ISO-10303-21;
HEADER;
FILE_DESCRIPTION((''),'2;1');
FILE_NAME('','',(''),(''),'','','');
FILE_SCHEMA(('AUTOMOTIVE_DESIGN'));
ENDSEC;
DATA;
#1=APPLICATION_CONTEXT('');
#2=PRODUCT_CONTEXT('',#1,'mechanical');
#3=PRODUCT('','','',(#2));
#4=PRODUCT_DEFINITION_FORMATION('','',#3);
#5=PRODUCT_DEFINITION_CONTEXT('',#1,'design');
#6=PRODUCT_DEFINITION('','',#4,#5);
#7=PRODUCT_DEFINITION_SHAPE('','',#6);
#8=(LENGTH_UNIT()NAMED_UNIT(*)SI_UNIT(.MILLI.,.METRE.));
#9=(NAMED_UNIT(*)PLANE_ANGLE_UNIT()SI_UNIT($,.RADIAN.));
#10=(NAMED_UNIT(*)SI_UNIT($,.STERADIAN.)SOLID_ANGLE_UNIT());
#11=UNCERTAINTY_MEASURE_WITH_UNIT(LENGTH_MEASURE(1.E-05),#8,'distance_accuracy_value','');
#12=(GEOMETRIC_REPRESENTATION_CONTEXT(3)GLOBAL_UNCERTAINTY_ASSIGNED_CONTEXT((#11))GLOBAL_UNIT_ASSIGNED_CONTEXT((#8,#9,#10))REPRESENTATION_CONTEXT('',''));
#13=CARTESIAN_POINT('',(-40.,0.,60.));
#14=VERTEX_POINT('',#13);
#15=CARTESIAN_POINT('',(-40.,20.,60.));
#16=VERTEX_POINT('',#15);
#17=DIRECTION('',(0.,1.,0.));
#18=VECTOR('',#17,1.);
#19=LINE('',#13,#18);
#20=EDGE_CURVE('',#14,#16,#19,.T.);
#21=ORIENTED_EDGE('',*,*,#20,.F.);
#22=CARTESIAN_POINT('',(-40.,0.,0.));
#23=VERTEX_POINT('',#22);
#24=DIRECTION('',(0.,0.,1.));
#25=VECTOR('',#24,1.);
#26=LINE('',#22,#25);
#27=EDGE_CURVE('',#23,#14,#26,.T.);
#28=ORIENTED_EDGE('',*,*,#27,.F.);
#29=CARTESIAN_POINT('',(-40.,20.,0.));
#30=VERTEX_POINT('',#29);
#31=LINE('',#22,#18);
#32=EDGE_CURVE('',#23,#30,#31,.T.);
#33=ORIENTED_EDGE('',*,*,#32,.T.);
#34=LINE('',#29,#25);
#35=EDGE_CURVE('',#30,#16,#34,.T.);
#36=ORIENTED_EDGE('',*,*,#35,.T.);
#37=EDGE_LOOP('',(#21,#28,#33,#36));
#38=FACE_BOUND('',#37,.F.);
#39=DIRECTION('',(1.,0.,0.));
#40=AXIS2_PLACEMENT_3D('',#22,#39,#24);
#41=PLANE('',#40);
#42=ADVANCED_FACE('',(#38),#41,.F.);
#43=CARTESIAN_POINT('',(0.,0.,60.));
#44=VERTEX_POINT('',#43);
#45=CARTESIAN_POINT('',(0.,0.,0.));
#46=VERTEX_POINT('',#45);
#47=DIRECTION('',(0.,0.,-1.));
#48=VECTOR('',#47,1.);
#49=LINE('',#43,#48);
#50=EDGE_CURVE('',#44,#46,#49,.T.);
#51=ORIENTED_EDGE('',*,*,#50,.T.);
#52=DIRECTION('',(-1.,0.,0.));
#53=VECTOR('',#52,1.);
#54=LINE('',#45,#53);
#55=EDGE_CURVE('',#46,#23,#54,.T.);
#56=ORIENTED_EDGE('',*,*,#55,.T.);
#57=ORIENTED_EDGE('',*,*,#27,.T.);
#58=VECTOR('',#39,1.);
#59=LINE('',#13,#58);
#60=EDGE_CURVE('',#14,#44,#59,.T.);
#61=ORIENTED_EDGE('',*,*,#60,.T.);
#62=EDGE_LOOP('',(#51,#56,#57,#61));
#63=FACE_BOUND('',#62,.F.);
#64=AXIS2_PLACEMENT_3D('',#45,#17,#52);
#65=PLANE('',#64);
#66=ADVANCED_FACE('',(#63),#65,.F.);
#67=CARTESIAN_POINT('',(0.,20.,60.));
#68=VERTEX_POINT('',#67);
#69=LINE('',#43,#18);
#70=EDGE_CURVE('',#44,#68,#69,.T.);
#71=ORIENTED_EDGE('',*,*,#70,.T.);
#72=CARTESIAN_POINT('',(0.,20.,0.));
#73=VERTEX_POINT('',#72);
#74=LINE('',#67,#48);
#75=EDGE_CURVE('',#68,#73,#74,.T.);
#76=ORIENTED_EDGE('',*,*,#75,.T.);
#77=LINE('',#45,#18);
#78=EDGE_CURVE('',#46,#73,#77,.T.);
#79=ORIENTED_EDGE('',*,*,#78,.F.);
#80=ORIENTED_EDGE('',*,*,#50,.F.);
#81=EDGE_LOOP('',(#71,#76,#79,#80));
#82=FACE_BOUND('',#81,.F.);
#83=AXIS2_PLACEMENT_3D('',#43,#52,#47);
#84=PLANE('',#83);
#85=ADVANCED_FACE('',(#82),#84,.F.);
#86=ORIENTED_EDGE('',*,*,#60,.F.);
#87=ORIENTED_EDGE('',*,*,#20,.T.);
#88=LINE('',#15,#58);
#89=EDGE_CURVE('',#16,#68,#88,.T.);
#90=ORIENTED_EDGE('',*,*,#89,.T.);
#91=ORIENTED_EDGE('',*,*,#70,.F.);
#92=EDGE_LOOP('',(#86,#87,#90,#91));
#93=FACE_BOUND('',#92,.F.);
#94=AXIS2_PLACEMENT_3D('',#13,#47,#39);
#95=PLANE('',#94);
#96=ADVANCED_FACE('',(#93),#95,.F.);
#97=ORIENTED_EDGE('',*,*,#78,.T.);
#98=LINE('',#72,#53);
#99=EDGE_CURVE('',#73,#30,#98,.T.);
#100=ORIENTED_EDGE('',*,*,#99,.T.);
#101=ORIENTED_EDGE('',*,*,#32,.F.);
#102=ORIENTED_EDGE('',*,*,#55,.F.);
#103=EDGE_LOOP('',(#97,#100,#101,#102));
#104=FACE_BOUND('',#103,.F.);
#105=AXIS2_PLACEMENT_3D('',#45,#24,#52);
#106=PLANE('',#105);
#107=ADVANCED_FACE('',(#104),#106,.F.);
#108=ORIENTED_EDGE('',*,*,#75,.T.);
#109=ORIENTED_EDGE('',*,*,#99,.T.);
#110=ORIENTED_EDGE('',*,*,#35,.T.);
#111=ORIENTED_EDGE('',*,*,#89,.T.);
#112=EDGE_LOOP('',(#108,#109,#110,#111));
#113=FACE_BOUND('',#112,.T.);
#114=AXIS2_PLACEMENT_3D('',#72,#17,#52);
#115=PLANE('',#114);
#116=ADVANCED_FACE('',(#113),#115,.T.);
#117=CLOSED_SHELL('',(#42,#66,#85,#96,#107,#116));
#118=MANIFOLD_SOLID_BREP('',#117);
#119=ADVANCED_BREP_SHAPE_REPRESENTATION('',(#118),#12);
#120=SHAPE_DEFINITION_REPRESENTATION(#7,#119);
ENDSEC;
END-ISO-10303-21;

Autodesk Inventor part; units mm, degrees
ref_plane "YZ Plane" through (0, 0, 0) normal (1, 0, 0) x (0, 1, 0)
ref_plane "XZ Plane" through (0, 0, 0) normal (0, 1, 0) x (-1, 0, 0)
ref_plane "XY Plane" through (0, 0, 0) normal (0, 0, 1) x (1, 0, 0)
sketch "Sketch1" plane through (0, 0, 0) normal (0, 1, 0) x (-1, 0, 0)
  line L0 (0, 0) -> (40, 0)
  line L1 (40, 0) -> (40, 60)
  line L2 (40, 60) -> (0, 60)
  line L3 (0, 60) -> (0, 0)
  dimension "d0" = 40
  dimension "d1" = 60
extrude "Extrusion1" add sketch "Sketch1" along normal blind 20
properties part number "Door-Electronics"
